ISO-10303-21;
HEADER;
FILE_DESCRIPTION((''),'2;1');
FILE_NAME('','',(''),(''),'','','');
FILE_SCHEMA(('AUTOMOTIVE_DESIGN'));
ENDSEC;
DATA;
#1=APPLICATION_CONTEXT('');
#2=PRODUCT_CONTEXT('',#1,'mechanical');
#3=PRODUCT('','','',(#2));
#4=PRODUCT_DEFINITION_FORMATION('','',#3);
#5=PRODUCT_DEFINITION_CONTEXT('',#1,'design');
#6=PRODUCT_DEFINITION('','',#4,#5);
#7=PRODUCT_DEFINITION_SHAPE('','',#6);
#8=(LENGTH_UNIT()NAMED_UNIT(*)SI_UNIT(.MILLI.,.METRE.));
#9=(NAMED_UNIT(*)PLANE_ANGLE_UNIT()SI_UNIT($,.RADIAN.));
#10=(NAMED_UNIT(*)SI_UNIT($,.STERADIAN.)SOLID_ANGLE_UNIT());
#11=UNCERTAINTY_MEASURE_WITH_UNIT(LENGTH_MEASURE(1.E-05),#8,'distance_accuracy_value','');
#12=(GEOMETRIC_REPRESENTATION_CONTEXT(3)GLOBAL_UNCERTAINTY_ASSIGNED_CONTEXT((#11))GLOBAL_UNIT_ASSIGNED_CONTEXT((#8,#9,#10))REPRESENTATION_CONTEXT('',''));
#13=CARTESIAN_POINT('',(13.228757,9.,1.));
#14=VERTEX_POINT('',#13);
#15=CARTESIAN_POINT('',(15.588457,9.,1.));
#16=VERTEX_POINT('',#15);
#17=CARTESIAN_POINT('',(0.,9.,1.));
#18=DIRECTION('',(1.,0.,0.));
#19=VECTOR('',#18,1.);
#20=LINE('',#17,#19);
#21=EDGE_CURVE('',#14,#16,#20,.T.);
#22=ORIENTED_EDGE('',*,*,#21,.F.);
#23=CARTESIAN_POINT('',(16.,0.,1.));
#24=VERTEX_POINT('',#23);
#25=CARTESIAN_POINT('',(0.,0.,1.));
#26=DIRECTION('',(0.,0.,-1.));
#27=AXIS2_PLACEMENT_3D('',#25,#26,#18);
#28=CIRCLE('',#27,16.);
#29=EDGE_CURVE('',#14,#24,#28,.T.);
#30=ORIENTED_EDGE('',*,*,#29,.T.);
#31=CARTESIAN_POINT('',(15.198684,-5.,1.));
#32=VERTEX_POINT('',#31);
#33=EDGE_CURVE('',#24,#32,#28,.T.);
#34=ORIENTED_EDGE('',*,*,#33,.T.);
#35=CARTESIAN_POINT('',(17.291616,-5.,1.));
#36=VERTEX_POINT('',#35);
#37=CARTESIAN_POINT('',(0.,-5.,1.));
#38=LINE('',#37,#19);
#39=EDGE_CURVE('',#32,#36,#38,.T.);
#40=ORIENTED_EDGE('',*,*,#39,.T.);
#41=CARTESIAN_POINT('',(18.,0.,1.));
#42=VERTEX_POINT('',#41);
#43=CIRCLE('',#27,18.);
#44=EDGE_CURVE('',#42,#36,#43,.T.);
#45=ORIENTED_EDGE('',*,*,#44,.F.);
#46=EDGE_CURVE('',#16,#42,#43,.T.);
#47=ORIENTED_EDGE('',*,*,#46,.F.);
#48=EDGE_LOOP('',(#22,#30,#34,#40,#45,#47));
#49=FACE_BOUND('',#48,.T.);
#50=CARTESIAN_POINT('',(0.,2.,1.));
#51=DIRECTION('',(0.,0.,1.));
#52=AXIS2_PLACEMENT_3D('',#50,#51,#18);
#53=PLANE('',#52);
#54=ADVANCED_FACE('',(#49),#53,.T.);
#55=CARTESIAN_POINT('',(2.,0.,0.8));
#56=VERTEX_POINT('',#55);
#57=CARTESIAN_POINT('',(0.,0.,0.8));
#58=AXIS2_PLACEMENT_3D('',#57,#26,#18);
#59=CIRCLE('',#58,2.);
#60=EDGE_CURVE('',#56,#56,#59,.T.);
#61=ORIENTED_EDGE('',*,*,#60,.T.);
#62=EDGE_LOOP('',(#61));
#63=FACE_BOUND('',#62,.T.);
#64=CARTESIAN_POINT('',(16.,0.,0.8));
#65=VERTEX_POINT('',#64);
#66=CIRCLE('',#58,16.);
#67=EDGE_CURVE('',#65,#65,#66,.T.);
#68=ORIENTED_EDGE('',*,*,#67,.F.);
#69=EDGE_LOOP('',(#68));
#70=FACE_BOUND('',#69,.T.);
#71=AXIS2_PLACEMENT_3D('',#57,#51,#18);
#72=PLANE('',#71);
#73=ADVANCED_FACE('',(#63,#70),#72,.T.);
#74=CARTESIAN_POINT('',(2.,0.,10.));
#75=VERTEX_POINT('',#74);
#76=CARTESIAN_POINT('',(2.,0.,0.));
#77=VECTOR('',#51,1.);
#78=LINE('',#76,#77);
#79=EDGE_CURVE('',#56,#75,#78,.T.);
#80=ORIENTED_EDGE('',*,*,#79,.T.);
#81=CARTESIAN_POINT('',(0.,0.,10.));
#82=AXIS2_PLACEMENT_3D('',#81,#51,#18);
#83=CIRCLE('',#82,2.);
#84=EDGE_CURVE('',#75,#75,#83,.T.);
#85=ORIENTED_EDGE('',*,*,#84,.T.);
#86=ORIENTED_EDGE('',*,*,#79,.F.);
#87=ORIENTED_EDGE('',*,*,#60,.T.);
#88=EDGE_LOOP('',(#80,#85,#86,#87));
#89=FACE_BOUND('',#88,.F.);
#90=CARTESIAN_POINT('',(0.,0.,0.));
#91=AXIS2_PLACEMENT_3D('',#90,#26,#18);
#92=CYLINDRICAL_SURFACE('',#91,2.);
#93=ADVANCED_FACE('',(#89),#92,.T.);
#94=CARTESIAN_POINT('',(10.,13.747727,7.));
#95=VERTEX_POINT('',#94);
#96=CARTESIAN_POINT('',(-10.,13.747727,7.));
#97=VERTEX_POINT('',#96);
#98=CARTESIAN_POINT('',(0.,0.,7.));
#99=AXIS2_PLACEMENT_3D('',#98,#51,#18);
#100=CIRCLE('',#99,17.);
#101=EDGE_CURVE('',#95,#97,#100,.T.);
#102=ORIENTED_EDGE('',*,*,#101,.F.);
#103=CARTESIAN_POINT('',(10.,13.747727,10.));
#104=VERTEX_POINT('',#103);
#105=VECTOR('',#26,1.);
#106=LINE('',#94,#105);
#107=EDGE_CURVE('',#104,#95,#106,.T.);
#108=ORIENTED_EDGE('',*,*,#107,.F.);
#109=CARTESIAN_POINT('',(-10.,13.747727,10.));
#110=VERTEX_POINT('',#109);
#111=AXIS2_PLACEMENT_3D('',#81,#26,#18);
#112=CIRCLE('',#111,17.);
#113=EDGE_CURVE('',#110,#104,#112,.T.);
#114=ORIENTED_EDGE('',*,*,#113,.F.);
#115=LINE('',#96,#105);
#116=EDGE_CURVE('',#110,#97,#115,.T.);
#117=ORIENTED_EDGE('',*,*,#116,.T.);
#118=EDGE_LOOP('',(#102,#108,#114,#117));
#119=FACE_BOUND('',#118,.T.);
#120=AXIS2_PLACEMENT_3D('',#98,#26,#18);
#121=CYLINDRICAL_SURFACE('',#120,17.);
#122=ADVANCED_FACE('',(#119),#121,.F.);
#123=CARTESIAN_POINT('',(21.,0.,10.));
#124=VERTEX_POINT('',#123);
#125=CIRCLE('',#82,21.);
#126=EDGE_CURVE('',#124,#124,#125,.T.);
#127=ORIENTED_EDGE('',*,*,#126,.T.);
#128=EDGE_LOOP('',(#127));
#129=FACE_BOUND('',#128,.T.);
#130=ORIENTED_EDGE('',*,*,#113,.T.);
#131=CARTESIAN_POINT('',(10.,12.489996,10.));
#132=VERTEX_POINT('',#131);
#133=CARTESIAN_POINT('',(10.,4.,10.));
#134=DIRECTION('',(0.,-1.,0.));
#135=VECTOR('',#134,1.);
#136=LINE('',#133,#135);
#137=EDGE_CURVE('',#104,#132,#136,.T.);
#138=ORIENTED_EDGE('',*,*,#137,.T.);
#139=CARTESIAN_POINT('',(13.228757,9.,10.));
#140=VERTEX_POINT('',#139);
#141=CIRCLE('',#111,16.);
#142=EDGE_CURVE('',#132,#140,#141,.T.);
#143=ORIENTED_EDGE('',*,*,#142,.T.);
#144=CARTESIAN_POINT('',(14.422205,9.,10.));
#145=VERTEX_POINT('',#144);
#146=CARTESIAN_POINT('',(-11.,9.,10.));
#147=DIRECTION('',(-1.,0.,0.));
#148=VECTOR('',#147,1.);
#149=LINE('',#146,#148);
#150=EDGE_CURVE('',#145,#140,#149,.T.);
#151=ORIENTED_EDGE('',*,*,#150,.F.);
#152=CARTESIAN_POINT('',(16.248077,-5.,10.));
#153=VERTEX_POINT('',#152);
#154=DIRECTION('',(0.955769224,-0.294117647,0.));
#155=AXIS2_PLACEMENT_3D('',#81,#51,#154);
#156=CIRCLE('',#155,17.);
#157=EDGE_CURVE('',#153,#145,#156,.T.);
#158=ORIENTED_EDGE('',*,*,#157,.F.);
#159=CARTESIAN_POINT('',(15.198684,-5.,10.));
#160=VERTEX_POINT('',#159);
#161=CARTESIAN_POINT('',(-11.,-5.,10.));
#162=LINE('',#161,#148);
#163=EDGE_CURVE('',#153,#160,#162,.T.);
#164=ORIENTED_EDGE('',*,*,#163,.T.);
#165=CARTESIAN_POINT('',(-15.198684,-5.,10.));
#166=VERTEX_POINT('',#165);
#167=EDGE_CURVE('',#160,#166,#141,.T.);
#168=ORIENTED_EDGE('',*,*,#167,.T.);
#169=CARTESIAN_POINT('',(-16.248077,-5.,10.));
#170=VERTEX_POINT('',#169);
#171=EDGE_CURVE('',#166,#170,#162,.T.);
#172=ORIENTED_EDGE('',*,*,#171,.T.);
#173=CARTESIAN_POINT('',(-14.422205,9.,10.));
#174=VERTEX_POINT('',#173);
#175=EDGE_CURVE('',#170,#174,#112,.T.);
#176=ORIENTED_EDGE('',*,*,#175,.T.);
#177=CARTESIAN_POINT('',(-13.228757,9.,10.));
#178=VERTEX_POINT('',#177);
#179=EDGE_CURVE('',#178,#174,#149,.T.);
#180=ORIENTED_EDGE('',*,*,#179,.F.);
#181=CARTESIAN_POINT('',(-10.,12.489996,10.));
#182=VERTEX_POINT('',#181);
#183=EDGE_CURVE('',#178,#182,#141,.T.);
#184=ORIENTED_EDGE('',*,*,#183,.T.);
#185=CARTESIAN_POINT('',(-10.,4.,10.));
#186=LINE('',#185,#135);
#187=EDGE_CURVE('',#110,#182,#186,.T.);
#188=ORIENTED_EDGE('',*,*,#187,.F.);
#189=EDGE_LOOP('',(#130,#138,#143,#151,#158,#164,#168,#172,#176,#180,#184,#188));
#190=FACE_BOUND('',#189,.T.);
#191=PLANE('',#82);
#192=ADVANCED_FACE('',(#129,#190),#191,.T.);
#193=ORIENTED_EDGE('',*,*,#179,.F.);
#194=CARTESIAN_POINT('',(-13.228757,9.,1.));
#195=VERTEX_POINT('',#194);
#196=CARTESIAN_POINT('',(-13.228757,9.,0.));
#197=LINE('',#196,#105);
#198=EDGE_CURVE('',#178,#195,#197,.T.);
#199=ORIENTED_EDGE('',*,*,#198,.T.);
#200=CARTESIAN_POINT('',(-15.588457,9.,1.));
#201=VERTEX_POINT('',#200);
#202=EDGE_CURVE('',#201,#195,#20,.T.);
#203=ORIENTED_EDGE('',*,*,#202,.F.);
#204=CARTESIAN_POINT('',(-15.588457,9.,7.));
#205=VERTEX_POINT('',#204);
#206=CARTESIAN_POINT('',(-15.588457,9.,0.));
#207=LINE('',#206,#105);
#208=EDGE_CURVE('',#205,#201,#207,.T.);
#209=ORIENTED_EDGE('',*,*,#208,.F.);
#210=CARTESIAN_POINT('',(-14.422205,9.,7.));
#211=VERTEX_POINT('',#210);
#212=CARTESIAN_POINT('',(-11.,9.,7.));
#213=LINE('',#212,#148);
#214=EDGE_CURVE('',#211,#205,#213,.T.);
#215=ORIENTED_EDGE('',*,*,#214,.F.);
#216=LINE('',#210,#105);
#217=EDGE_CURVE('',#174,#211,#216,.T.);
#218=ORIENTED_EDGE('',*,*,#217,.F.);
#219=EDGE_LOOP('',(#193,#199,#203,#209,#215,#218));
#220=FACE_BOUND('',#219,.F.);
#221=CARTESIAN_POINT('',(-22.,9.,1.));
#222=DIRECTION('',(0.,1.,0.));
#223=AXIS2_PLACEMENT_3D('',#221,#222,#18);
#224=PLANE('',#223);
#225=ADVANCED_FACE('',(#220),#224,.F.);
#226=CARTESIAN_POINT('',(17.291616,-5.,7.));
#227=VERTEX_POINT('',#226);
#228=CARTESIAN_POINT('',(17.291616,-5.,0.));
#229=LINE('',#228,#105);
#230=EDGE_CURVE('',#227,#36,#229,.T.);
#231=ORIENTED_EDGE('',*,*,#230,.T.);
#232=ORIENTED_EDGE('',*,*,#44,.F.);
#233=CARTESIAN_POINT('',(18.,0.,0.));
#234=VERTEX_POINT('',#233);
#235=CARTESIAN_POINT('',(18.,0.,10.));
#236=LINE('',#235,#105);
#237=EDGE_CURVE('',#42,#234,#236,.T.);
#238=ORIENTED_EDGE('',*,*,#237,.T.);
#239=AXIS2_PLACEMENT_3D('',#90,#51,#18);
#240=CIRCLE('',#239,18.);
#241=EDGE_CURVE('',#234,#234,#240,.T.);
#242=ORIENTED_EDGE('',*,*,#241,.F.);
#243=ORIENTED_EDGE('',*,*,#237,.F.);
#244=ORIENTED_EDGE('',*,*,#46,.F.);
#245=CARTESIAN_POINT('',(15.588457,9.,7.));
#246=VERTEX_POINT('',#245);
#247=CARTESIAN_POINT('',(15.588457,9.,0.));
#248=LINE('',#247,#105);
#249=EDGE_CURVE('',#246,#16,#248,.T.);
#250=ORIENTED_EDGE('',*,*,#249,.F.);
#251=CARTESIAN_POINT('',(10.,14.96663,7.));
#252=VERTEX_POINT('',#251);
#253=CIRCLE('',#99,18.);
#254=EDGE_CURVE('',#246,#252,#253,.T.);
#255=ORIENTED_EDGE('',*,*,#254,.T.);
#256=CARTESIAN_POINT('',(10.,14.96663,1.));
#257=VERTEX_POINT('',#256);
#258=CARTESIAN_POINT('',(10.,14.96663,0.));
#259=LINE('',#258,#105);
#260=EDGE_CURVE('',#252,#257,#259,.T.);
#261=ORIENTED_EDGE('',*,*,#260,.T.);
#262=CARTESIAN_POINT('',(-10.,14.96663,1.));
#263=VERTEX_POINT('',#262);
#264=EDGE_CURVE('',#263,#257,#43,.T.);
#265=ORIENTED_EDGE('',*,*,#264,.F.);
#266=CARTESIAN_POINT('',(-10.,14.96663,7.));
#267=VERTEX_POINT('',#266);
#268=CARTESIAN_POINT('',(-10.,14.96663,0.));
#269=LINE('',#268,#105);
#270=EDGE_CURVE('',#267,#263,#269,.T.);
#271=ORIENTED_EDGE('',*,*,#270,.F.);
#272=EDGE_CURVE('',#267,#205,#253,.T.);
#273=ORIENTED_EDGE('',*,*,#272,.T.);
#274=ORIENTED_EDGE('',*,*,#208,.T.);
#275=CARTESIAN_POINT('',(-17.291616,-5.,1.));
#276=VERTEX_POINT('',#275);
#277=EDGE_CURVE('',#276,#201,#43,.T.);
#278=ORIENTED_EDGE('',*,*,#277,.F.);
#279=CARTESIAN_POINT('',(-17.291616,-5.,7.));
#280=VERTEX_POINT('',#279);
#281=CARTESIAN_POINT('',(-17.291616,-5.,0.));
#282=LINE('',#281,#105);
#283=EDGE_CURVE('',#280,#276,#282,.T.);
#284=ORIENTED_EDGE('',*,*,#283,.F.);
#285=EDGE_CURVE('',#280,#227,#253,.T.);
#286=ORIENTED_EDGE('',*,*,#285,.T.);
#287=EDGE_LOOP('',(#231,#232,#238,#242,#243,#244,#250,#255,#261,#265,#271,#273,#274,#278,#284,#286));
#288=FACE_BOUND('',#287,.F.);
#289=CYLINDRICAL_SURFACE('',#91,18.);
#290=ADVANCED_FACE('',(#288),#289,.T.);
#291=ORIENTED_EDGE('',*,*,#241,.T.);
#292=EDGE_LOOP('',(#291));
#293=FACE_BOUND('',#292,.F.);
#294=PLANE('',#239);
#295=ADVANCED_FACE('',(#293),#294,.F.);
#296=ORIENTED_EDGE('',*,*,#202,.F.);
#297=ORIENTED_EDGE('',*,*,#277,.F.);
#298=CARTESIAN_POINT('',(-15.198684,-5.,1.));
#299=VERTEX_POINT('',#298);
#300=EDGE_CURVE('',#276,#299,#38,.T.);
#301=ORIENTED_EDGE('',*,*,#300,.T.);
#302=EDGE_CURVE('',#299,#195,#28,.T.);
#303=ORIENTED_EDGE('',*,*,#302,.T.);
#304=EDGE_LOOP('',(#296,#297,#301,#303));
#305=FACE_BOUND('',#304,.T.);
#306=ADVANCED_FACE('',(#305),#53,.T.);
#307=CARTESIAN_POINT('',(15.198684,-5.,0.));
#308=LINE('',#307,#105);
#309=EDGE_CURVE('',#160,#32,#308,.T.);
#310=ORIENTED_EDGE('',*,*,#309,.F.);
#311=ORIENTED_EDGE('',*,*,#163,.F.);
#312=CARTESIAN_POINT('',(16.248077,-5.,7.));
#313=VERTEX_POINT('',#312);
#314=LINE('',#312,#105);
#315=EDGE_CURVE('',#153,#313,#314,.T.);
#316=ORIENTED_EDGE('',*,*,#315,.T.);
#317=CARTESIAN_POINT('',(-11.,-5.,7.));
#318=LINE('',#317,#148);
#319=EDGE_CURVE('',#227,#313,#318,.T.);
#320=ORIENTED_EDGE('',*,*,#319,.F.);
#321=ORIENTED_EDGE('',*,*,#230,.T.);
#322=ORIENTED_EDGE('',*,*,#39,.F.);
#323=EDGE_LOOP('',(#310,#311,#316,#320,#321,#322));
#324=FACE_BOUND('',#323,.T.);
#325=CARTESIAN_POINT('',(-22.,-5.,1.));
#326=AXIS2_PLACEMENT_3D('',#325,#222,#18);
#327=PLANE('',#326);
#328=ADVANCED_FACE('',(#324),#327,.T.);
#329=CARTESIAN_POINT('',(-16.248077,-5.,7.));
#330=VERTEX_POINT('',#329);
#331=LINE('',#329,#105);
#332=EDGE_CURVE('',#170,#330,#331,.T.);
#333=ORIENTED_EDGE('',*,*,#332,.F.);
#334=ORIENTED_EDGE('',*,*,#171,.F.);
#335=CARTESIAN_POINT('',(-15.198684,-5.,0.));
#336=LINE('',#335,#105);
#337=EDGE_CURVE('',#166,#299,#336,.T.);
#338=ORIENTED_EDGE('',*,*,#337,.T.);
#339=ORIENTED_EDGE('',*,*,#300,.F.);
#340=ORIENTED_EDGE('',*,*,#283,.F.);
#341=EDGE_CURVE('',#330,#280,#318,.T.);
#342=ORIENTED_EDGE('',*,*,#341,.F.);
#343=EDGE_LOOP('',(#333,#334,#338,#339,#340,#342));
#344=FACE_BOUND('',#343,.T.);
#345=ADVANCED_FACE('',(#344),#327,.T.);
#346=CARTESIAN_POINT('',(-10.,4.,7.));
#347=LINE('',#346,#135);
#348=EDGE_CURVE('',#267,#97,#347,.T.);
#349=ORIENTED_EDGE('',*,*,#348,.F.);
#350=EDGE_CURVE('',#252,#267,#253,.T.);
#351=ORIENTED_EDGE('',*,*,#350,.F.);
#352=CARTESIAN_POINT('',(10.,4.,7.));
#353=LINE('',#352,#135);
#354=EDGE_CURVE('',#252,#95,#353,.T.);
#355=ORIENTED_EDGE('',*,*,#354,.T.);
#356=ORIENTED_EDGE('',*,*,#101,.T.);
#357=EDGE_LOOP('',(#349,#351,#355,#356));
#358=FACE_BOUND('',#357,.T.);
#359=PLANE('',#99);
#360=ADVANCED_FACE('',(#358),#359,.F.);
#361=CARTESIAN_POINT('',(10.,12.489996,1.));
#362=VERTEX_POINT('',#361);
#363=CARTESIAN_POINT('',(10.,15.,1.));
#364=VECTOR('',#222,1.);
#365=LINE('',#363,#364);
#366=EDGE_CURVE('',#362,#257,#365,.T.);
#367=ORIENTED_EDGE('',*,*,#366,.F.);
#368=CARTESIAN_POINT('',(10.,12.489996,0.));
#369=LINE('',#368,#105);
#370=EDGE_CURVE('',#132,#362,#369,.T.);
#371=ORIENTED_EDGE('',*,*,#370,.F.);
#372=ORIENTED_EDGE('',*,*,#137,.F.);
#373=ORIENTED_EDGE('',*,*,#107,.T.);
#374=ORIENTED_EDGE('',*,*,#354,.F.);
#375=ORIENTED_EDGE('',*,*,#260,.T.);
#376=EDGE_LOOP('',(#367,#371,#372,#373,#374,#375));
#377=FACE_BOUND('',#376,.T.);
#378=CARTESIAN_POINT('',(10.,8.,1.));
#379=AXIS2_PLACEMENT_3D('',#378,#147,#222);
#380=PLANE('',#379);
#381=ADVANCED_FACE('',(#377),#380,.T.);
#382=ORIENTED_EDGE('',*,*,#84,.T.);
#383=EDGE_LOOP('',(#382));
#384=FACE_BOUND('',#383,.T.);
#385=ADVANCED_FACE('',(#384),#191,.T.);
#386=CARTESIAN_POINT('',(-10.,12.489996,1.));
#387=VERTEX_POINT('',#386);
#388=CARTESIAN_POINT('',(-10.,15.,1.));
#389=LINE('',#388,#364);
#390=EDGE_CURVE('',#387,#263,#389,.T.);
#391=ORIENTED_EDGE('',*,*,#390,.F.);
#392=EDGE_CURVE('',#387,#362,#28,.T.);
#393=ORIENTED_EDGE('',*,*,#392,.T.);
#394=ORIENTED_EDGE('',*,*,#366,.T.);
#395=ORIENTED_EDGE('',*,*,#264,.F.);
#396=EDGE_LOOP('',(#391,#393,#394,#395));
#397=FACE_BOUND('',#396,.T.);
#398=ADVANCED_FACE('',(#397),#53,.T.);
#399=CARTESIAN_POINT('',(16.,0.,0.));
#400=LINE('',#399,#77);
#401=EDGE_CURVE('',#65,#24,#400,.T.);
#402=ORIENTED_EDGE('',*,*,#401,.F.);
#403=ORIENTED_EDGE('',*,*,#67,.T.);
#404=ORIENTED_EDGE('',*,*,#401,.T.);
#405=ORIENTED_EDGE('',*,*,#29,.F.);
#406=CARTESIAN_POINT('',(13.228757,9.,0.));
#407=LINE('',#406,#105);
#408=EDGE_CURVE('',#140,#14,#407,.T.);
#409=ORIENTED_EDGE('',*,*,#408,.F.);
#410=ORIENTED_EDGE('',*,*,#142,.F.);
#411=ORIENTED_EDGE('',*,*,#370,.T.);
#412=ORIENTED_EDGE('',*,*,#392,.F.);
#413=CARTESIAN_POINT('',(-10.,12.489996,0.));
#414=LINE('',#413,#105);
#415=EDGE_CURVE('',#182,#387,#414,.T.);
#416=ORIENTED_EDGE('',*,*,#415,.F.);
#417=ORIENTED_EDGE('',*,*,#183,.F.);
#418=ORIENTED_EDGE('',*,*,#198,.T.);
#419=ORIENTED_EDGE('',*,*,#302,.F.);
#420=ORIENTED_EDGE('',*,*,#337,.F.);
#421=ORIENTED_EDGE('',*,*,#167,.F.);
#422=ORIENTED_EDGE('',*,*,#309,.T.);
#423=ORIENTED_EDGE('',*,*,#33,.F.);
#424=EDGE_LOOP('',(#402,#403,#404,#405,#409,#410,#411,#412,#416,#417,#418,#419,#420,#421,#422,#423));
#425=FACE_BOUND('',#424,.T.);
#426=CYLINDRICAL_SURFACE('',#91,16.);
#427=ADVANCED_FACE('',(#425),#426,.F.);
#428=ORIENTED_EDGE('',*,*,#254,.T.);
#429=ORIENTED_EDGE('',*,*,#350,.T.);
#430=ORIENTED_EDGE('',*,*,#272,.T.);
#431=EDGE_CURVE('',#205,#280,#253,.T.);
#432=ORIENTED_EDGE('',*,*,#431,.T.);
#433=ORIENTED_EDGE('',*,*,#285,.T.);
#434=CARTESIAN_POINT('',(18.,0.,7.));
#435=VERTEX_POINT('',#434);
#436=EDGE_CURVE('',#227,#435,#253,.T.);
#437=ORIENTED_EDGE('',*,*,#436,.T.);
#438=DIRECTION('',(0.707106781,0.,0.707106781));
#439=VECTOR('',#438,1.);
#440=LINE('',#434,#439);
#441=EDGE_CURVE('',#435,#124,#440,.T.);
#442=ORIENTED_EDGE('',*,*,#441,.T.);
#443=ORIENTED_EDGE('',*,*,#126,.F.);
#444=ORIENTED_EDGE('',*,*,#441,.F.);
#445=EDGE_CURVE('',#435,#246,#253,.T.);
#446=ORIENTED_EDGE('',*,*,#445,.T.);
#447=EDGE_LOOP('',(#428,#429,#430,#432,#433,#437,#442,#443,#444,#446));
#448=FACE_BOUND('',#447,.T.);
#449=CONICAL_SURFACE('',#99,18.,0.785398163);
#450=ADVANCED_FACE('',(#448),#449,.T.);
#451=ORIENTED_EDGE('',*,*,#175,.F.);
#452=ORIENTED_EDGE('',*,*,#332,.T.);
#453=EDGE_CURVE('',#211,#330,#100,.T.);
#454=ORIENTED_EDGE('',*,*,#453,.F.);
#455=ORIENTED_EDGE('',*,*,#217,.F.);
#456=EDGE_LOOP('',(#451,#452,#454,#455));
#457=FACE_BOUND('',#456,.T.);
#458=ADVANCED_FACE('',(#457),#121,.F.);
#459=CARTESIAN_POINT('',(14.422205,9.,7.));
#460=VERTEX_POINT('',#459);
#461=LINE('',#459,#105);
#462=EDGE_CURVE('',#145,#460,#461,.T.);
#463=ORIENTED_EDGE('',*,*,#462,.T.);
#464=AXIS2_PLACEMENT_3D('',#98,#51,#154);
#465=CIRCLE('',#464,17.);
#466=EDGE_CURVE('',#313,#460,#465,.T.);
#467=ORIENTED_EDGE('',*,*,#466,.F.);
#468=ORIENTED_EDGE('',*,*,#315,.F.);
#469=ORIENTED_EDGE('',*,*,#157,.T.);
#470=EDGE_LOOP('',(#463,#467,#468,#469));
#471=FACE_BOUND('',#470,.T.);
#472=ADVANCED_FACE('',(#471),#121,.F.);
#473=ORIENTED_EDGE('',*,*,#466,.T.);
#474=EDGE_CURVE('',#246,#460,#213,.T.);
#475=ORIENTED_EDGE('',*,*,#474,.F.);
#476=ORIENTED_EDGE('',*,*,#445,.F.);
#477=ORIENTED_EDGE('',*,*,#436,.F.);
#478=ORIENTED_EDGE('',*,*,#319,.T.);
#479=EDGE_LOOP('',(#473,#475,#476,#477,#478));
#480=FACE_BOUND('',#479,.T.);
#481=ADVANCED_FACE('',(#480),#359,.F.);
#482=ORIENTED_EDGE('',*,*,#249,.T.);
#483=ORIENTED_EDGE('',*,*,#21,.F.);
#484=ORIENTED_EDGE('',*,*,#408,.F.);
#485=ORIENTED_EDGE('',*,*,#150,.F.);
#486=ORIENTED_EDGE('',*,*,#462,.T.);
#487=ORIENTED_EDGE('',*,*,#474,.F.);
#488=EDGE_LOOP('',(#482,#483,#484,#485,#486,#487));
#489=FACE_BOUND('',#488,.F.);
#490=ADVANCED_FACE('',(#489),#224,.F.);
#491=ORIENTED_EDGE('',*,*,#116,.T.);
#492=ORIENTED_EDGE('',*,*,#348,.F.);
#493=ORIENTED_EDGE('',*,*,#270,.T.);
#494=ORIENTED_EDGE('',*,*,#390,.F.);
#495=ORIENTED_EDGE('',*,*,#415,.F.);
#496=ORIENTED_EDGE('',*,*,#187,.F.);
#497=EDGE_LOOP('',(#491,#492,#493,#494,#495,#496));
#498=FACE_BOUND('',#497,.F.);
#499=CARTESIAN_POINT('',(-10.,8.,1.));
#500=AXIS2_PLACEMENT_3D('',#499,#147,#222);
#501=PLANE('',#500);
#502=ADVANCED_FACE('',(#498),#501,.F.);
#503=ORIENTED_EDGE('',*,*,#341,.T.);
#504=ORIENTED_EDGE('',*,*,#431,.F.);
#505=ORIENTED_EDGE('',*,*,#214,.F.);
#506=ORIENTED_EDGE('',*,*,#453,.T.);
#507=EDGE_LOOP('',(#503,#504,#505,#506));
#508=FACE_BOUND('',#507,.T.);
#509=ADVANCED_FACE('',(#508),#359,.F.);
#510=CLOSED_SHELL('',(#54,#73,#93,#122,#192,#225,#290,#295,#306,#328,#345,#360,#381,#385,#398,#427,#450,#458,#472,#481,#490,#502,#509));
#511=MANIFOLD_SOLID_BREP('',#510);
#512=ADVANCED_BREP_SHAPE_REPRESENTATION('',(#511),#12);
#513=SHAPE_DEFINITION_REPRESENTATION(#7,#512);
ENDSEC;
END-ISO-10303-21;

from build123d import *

# Parameters (mm, degrees)
BOX_W             = 20
BOX_H             = 14
BOX_DEPTH         = 10
BOX001_W          = 44
BOX001_H          = 14
BOX001_DEPTH      = 10
CYLINDER_R        = 18
CYLINDER_DEPTH    = 0.8
CYLINDER002_R     = 16
CYLINDER002_DEPTH = 11
CYLINDER001_R     = 18
CYLINDER001_DEPTH = 10
CYLINDER003_R     = 17
CYLINDER003_DEPTH = 5
CYLINDER004_R     = 2
CYLINDER004_DEPTH = 10


with BuildPart() as cube:
    # Box → Box (new body)
    with BuildSketch(Plane(origin=(-10, 8, 1), x_dir=(1, 0, 0), z_dir=(0, 0, 1))):
        with Locations((10, 7)):
            Rectangle(BOX_W, BOX_H)
    extrude(amount=BOX_DEPTH)


with BuildPart() as cuts:
    # Box001 → Box001 (new body)
    with BuildSketch(Plane(origin=(-22, -5, 1), x_dir=(1, 0, 0), z_dir=(0, 0, 1))):
        with Locations((22, 7)):
            Rectangle(BOX001_W, BOX001_H)
    extrude(amount=BOX001_DEPTH)

    # Fusion: union Cube
    add(cube.part)


with BuildPart() as top:
    # Cylinder → Cylinder (new body)
    with BuildSketch(Plane.XY):
        Circle(CYLINDER_R)
    extrude(amount=CYLINDER_DEPTH)


with BuildPart() as hole:
    # Cylinder002 → Cylinder002 (new body)
    with BuildSketch(Plane.XY):
        Circle(CYLINDER002_R)
    extrude(amount=CYLINDER002_DEPTH)


with BuildPart() as cut001:
    # Cylinder001 → Cylinder001 (new body)
    with BuildSketch(Plane.XY):
        Circle(CYLINDER001_R)
    extrude(amount=CYLINDER001_DEPTH)

    # Cut: cut hole
    add(hole.part, mode=Mode.SUBTRACT)

    # Fusion001: union top
    add(top.part)

    # Cut001: cut cuts
    add(cuts.part, mode=Mode.SUBTRACT)


with BuildPart() as hole001:
    # Cylinder003 → Cylinder003 (new body)
    with BuildSketch(Plane.XY.offset(7)):
        Circle(CYLINDER003_R)
    extrude(amount=CYLINDER003_DEPTH)


with BuildPart() as cut002:
    # Cone → Cone (revolve)
    with BuildSketch(Plane(origin=(0, 0, 7), x_dir=(1, 0, 0), z_dir=(0, -1, 0))):
        Polygon((0, 0), (18, 0), (21, 3), (0, 3), align=None)
    revolve(axis=Axis((0, 0, 7), (0, 0, 1)))

    # Cut002: cut hole001
    add(hole001.part, mode=Mode.SUBTRACT)


with BuildPart() as fusion002:
    # Cylinder004 → Cylinder004 (new body)
    with BuildSketch(Plane.XY):
        Circle(CYLINDER004_R)
    extrude(amount=CYLINDER004_DEPTH)

    # Fusion002: union Cut001, Cut002
    add(cut001.part)
    add(cut002.part)


solid = fusion002.part
